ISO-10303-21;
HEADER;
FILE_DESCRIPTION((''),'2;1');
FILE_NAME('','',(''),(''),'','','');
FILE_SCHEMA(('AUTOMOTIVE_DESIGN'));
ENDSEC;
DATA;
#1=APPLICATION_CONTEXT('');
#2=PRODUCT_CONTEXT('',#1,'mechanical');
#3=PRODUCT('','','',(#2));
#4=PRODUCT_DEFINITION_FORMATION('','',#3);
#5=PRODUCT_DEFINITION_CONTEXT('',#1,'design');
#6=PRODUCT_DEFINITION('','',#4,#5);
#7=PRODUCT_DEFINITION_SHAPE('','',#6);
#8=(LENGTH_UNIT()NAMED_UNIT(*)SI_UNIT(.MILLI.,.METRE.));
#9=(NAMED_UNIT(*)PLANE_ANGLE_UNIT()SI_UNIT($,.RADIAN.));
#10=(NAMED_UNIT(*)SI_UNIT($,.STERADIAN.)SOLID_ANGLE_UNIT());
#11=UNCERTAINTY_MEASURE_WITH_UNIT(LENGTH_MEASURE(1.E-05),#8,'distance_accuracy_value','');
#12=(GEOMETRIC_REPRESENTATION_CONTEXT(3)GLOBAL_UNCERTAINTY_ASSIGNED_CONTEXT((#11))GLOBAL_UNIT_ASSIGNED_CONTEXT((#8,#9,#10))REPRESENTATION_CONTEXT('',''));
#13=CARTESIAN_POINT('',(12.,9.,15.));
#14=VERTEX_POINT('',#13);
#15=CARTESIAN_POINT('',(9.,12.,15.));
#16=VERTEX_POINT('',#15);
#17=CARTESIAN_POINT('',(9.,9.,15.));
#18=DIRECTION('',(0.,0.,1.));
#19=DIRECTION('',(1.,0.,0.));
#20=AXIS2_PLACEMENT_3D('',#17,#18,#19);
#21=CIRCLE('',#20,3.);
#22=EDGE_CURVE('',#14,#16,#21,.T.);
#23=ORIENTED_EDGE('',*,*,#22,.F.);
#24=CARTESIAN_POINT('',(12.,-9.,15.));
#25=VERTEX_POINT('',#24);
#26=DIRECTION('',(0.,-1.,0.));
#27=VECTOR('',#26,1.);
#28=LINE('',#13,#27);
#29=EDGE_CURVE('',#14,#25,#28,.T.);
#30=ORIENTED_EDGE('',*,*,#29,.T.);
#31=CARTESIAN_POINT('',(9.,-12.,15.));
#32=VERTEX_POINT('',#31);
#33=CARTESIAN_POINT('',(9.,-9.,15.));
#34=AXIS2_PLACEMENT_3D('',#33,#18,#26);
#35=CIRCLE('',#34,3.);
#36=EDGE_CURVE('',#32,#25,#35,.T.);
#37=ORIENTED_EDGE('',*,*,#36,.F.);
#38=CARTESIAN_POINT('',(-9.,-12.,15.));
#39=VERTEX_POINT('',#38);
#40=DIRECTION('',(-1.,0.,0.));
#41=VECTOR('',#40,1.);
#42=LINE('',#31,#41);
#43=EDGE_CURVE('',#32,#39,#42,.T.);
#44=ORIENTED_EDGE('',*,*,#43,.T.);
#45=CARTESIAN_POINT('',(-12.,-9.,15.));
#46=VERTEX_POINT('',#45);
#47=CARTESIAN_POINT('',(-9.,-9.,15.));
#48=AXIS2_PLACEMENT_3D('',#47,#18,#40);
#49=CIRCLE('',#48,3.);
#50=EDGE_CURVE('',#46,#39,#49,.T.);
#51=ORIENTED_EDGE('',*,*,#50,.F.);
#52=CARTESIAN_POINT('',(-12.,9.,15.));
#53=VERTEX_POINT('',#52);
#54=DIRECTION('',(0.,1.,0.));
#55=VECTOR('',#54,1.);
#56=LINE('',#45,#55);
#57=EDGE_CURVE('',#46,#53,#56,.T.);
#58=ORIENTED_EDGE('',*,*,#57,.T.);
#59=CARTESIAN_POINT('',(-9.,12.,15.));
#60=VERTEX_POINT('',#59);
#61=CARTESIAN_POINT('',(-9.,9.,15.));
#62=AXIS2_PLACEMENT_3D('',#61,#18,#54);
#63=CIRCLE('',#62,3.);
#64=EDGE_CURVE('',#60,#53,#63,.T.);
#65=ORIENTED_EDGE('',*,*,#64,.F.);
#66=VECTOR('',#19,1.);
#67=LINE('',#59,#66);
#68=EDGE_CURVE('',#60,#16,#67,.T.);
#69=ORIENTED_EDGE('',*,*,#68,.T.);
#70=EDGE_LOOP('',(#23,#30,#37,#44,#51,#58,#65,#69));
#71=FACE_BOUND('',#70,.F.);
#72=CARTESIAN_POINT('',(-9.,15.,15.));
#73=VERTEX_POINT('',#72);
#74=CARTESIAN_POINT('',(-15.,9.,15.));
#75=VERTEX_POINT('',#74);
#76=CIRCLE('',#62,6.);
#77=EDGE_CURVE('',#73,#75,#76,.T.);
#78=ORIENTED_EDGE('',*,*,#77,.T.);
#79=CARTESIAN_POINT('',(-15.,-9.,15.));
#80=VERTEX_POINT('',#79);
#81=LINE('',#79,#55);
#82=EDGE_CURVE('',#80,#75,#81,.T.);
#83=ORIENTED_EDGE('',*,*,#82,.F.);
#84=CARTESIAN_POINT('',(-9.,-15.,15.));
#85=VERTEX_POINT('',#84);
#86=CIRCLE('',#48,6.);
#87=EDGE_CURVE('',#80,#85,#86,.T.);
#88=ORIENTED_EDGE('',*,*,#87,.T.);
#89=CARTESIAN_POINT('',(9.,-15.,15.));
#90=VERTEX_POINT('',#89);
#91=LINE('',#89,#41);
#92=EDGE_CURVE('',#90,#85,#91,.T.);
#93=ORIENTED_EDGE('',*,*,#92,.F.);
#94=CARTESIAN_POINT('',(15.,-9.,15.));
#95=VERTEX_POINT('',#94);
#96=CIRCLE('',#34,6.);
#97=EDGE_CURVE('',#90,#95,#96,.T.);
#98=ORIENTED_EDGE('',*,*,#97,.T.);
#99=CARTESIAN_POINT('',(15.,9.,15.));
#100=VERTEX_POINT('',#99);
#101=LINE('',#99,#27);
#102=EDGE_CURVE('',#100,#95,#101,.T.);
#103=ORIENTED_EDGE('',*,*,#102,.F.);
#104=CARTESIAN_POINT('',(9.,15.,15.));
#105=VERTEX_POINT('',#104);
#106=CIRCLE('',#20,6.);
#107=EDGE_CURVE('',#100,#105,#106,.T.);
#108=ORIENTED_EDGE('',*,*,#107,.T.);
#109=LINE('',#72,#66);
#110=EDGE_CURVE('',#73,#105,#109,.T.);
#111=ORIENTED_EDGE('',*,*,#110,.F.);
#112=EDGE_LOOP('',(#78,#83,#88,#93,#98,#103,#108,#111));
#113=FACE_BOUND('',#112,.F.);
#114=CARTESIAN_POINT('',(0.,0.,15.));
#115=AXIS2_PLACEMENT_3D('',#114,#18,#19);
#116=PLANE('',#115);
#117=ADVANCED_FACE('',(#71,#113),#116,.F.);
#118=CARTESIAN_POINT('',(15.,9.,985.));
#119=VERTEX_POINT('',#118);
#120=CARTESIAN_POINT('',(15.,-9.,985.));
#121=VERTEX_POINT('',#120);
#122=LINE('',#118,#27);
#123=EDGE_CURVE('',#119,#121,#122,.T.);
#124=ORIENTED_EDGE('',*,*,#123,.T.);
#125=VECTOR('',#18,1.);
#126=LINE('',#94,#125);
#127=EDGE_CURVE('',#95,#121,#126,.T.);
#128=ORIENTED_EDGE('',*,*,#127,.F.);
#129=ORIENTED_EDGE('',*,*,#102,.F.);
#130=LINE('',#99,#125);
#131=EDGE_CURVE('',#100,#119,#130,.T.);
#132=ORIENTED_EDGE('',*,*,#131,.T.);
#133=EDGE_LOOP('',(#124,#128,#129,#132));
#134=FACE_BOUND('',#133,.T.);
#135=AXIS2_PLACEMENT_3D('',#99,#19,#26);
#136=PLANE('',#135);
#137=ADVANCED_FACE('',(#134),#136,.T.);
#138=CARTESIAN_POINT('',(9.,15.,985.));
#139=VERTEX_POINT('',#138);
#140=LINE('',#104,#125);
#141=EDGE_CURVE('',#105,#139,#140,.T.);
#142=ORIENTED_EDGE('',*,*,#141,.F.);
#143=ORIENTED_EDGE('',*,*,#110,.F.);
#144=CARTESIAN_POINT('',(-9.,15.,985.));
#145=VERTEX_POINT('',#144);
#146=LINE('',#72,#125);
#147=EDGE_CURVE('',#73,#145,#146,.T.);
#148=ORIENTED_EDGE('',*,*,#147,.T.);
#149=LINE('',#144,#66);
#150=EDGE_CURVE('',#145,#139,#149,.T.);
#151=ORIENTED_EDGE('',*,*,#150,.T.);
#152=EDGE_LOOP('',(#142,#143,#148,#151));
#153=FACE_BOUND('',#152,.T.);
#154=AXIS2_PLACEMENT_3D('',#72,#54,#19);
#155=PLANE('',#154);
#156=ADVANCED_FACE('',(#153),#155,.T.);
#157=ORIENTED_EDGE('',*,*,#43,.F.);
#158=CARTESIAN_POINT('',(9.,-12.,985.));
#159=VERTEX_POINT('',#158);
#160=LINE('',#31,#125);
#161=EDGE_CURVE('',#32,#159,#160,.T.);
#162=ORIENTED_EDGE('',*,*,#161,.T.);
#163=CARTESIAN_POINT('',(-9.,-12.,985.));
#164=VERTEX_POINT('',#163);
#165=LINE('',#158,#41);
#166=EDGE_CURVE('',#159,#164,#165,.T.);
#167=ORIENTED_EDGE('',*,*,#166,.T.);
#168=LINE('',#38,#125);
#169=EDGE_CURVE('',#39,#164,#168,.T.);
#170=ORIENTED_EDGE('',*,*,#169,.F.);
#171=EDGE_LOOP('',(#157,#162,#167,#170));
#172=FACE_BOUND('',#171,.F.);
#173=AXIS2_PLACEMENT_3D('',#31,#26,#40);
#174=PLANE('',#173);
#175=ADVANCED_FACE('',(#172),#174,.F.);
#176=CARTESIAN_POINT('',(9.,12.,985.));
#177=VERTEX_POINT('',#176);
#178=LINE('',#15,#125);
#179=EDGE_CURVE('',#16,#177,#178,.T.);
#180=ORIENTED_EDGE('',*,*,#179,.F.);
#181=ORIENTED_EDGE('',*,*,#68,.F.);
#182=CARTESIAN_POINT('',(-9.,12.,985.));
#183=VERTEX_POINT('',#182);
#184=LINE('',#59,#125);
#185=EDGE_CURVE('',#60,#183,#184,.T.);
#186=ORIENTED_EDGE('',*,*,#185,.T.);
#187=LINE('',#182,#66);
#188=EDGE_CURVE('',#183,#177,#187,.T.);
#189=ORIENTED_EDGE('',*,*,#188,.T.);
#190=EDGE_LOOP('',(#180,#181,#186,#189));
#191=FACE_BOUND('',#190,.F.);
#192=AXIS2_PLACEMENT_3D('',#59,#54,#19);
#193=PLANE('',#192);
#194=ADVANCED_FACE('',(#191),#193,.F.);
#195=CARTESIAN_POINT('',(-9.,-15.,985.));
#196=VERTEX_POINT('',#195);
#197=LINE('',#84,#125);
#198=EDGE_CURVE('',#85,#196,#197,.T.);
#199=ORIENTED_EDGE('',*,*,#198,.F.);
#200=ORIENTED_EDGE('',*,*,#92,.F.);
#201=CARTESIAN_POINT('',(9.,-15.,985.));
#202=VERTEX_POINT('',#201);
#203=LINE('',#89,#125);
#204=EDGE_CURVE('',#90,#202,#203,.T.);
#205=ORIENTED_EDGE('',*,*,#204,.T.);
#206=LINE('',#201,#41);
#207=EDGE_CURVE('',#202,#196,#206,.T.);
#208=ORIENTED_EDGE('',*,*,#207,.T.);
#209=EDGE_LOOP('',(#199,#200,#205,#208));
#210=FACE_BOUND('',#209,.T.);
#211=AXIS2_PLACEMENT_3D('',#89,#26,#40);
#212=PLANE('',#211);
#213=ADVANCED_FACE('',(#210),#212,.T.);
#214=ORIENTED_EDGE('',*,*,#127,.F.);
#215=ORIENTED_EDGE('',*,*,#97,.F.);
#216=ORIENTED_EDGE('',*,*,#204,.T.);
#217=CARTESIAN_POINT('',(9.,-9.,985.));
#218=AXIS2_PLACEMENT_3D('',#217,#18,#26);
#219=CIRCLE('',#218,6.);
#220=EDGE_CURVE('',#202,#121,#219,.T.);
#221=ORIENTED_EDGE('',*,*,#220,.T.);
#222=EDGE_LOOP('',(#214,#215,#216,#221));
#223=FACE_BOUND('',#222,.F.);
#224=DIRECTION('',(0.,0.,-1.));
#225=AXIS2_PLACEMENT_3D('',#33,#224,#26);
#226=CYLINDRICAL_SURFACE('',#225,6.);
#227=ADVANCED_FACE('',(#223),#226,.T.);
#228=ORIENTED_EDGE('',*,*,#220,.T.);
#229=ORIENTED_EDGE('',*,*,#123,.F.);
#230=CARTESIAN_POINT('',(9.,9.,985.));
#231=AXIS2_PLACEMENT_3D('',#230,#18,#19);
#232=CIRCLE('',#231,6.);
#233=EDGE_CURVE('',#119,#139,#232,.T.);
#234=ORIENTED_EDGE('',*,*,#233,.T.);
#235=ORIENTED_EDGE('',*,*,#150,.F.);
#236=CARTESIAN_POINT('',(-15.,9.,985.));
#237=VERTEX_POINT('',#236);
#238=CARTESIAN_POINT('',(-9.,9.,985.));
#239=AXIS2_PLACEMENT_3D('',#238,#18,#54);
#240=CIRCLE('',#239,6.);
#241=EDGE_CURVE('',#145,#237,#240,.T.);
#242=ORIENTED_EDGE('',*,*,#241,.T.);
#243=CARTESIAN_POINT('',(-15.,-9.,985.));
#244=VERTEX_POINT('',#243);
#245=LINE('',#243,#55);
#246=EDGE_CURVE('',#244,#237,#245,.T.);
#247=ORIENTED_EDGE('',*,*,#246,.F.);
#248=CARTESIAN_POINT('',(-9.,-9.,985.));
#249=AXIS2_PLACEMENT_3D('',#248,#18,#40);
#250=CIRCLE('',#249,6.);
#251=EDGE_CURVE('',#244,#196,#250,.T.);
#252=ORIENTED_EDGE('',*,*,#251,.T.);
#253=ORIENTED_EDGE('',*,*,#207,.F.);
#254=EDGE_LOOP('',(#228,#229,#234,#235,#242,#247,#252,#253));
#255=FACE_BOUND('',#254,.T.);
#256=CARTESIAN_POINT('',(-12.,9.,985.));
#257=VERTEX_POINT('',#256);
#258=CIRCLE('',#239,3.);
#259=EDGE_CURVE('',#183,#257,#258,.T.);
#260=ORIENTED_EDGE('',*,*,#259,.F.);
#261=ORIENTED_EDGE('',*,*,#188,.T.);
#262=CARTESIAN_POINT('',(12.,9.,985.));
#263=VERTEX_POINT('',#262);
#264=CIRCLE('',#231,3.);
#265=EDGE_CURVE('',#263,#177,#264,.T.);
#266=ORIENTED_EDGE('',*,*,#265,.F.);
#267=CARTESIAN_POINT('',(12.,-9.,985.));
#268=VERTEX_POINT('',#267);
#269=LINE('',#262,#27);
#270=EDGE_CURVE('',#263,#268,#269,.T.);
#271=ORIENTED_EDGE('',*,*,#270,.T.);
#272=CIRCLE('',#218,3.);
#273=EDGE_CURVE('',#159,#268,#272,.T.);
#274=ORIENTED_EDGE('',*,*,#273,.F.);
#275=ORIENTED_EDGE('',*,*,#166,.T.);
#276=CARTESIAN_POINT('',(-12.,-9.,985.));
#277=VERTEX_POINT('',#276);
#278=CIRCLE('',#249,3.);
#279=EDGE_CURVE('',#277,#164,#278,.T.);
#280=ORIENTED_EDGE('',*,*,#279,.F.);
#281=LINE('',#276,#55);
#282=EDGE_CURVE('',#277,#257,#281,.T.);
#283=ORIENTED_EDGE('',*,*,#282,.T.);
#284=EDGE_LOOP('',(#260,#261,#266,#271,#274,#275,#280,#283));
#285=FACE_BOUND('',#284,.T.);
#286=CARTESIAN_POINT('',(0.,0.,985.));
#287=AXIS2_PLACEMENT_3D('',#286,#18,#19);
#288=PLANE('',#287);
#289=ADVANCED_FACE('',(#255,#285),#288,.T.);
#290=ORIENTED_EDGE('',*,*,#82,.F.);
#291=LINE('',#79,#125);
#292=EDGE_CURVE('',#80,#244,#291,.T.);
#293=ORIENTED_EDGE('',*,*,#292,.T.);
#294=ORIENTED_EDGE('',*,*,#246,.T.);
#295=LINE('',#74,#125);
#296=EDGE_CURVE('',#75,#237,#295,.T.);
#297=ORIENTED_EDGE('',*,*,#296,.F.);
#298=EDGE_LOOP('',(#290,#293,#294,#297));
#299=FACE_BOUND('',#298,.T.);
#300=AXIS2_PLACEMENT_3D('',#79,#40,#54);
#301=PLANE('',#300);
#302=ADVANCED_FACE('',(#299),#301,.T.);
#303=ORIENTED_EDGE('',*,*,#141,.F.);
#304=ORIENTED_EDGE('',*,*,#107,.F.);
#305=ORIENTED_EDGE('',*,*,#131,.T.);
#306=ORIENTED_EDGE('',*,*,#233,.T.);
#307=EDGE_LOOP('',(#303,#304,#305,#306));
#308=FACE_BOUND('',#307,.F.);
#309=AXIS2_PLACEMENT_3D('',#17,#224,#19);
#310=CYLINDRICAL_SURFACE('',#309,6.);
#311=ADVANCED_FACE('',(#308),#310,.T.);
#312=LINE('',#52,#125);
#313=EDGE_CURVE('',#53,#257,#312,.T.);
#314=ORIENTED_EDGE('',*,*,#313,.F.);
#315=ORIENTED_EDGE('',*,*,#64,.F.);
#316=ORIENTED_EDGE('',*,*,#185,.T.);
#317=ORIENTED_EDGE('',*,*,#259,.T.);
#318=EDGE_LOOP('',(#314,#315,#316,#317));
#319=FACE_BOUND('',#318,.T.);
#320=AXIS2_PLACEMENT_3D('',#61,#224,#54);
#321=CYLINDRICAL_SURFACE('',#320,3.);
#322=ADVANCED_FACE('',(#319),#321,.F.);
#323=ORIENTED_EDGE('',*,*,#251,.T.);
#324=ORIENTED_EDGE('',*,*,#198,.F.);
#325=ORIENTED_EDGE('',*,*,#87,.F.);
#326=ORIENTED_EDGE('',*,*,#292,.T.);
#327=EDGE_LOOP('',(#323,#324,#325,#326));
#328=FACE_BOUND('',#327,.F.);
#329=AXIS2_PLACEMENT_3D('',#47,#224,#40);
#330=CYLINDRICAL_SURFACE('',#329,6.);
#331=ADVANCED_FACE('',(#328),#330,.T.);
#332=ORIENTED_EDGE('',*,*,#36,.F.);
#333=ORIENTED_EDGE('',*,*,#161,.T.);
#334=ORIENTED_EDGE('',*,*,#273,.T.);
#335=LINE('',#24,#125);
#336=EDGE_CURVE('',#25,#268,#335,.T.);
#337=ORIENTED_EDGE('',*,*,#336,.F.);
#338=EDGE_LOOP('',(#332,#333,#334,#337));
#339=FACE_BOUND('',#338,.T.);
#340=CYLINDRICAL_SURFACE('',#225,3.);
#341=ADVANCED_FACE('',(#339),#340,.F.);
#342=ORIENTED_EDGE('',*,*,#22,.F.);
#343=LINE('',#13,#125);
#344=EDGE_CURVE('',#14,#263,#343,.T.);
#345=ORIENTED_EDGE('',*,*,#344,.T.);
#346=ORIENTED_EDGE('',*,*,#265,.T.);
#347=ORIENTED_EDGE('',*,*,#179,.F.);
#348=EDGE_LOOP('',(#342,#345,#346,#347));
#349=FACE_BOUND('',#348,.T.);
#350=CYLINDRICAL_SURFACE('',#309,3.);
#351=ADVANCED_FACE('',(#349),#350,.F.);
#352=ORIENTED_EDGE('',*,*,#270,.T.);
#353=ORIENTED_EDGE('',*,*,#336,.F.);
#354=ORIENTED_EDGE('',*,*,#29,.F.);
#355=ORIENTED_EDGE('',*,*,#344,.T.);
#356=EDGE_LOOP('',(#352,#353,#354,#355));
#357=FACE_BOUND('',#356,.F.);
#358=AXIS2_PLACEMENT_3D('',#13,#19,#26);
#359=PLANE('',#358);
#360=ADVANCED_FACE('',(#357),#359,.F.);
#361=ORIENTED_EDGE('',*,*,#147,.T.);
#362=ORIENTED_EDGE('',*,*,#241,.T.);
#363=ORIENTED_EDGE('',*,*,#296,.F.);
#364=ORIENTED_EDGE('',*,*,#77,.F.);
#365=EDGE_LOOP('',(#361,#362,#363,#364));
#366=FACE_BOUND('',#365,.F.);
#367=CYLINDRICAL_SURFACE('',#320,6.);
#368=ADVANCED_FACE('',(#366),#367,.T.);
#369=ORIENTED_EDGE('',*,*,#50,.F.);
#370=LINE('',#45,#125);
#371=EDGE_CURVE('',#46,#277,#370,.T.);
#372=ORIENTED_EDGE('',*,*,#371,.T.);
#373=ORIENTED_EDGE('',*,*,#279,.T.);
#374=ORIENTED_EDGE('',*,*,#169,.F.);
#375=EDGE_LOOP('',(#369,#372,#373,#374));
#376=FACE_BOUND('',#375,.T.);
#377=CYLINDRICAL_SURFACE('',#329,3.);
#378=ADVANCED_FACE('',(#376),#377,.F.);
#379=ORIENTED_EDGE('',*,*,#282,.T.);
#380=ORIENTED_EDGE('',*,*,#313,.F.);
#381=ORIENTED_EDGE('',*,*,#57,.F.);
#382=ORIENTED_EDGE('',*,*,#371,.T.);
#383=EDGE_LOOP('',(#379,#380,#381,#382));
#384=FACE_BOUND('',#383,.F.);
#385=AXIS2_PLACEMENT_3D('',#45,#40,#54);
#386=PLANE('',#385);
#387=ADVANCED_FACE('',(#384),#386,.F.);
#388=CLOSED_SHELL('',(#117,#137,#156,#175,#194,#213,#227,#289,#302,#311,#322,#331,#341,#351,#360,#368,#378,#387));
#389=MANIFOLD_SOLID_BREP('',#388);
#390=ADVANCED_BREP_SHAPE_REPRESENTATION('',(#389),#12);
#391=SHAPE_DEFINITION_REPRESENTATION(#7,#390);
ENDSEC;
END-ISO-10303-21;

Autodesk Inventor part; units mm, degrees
ref_plane "Start Plane" through (0, 0, 15) normal (0, 0, 1) x (1, 0, 0)
ref_plane "End Plane" through (0, 0, 985) normal (0, 0, 1) x (1, 0, 0)
sketch "Sketch" plane through (0, 0, 0) normal (0, 0, 1) x (1, 0, 0)
  line L0 (-15, -9) -> (-15, 9)
  line L1 (-9, 15) -> (9, 15)
  line L2 (15, 9) -> (15, -9)
  line L3 (9, -15) -> (-9, -15)
  arc A0 (-15, -9) -> (-9, -15) centre (-9, -9) ccw
  arc A1 (-9, 15) -> (-15, 9) centre (-9, 9) ccw
  arc A2 (15, 9) -> (9, 15) centre (9, 9) ccw
  arc A3 (9, -15) -> (15, -9) centre (9, -9) ccw
  arc A4 (-9, 12) -> (-12, 9) centre (-9, 9) ccw
  line L4 (-9, 12) -> (9, 12)
  arc A5 (12, 9) -> (9, 12) centre (9, 9) ccw
  line L5 (12, 9) -> (12, -9)
  arc A6 (9, -12) -> (12, -9) centre (9, -9) ccw
  line L6 (9, -12) -> (-9, -12)
  arc A7 (-12, -9) -> (-9, -12) centre (-9, -9) ccw
  line L7 (-12, -9) -> (-12, 9)
  line L8 (0, 22.7397) -> (0, -22.7397) construction
  line L9 (-22.7397, 0) -> (22.7397, 0) construction
  dimension "d7" = 6
  dimension "d10" = 30
  dimension "d11" = 30
  dimension "d12" = 3
  dimension "d15" = 15
  dimension "d16" = 15
extrude "Body" add sketch "Sketch" along normal up to surface (970 mm away) from surface at 15
sketch "Sketch3" plane through (0, 0, 0) normal (0, 0, 1) x (1, 0, 0)
  line L0 (0, 0) -> (10, 0)
ref_plane "Work Plane3" through (0, 0, 0) normal (0, -1, 0) x (1, 0, 0)
ref_plane "Work Plane4" through (-9, 765, 985) normal (0, 0, 1) x (1, 0, 0)
split "Split1" plane through (-9, 765, 985) removes the side toward (0, 0, 1)
ref_plane "Work Plane5" through (9, 765, 15) normal (0, 0, -1) x (-1, 0, 0)
split "Split2" plane through (9, 765, 15) removes the side toward (0, 0, -1)
sketch "Sketch4" plane through (0, 0, 0) normal (0, -1, 0) x (1, 0, 0)
  line L0 (-2, 15) -> (12, 15) projected
  line L1 (-2, 985) -> (12, 985) projected
  dimension "d18" = 970
equation "\"d7\" = G_IR"
equation "\"d10\" = G_H"
equation "\"d11\" = G_W"
equation "\"d12\" = G_T"
equation "\"d15\" = 0.5 * d10"
equation "\"d16\" = 0.5 * d11"
equation "\"d3\" = G_L"
equation "\"G_W\" = 30"
equation "\"G_H\" = 30"
equation "\"G_T\" = 3"
equation "\"G_IR\" = 6"
equation "\"G_L\" = d18"
equation "\"G_OFFSET_START\" = -15"
equation "\"G_OFFSET_END\" = -15"
equation "\"d13\" = -G_OFFSET_START"
equation "\"d14\" = G_OFFSET_END + B_L"
equation "\"B_L\" = 1000"
properties part number "DIN EN 10219-2 - 30 x 30 x 3  - 970" material "Steel, Mild"
